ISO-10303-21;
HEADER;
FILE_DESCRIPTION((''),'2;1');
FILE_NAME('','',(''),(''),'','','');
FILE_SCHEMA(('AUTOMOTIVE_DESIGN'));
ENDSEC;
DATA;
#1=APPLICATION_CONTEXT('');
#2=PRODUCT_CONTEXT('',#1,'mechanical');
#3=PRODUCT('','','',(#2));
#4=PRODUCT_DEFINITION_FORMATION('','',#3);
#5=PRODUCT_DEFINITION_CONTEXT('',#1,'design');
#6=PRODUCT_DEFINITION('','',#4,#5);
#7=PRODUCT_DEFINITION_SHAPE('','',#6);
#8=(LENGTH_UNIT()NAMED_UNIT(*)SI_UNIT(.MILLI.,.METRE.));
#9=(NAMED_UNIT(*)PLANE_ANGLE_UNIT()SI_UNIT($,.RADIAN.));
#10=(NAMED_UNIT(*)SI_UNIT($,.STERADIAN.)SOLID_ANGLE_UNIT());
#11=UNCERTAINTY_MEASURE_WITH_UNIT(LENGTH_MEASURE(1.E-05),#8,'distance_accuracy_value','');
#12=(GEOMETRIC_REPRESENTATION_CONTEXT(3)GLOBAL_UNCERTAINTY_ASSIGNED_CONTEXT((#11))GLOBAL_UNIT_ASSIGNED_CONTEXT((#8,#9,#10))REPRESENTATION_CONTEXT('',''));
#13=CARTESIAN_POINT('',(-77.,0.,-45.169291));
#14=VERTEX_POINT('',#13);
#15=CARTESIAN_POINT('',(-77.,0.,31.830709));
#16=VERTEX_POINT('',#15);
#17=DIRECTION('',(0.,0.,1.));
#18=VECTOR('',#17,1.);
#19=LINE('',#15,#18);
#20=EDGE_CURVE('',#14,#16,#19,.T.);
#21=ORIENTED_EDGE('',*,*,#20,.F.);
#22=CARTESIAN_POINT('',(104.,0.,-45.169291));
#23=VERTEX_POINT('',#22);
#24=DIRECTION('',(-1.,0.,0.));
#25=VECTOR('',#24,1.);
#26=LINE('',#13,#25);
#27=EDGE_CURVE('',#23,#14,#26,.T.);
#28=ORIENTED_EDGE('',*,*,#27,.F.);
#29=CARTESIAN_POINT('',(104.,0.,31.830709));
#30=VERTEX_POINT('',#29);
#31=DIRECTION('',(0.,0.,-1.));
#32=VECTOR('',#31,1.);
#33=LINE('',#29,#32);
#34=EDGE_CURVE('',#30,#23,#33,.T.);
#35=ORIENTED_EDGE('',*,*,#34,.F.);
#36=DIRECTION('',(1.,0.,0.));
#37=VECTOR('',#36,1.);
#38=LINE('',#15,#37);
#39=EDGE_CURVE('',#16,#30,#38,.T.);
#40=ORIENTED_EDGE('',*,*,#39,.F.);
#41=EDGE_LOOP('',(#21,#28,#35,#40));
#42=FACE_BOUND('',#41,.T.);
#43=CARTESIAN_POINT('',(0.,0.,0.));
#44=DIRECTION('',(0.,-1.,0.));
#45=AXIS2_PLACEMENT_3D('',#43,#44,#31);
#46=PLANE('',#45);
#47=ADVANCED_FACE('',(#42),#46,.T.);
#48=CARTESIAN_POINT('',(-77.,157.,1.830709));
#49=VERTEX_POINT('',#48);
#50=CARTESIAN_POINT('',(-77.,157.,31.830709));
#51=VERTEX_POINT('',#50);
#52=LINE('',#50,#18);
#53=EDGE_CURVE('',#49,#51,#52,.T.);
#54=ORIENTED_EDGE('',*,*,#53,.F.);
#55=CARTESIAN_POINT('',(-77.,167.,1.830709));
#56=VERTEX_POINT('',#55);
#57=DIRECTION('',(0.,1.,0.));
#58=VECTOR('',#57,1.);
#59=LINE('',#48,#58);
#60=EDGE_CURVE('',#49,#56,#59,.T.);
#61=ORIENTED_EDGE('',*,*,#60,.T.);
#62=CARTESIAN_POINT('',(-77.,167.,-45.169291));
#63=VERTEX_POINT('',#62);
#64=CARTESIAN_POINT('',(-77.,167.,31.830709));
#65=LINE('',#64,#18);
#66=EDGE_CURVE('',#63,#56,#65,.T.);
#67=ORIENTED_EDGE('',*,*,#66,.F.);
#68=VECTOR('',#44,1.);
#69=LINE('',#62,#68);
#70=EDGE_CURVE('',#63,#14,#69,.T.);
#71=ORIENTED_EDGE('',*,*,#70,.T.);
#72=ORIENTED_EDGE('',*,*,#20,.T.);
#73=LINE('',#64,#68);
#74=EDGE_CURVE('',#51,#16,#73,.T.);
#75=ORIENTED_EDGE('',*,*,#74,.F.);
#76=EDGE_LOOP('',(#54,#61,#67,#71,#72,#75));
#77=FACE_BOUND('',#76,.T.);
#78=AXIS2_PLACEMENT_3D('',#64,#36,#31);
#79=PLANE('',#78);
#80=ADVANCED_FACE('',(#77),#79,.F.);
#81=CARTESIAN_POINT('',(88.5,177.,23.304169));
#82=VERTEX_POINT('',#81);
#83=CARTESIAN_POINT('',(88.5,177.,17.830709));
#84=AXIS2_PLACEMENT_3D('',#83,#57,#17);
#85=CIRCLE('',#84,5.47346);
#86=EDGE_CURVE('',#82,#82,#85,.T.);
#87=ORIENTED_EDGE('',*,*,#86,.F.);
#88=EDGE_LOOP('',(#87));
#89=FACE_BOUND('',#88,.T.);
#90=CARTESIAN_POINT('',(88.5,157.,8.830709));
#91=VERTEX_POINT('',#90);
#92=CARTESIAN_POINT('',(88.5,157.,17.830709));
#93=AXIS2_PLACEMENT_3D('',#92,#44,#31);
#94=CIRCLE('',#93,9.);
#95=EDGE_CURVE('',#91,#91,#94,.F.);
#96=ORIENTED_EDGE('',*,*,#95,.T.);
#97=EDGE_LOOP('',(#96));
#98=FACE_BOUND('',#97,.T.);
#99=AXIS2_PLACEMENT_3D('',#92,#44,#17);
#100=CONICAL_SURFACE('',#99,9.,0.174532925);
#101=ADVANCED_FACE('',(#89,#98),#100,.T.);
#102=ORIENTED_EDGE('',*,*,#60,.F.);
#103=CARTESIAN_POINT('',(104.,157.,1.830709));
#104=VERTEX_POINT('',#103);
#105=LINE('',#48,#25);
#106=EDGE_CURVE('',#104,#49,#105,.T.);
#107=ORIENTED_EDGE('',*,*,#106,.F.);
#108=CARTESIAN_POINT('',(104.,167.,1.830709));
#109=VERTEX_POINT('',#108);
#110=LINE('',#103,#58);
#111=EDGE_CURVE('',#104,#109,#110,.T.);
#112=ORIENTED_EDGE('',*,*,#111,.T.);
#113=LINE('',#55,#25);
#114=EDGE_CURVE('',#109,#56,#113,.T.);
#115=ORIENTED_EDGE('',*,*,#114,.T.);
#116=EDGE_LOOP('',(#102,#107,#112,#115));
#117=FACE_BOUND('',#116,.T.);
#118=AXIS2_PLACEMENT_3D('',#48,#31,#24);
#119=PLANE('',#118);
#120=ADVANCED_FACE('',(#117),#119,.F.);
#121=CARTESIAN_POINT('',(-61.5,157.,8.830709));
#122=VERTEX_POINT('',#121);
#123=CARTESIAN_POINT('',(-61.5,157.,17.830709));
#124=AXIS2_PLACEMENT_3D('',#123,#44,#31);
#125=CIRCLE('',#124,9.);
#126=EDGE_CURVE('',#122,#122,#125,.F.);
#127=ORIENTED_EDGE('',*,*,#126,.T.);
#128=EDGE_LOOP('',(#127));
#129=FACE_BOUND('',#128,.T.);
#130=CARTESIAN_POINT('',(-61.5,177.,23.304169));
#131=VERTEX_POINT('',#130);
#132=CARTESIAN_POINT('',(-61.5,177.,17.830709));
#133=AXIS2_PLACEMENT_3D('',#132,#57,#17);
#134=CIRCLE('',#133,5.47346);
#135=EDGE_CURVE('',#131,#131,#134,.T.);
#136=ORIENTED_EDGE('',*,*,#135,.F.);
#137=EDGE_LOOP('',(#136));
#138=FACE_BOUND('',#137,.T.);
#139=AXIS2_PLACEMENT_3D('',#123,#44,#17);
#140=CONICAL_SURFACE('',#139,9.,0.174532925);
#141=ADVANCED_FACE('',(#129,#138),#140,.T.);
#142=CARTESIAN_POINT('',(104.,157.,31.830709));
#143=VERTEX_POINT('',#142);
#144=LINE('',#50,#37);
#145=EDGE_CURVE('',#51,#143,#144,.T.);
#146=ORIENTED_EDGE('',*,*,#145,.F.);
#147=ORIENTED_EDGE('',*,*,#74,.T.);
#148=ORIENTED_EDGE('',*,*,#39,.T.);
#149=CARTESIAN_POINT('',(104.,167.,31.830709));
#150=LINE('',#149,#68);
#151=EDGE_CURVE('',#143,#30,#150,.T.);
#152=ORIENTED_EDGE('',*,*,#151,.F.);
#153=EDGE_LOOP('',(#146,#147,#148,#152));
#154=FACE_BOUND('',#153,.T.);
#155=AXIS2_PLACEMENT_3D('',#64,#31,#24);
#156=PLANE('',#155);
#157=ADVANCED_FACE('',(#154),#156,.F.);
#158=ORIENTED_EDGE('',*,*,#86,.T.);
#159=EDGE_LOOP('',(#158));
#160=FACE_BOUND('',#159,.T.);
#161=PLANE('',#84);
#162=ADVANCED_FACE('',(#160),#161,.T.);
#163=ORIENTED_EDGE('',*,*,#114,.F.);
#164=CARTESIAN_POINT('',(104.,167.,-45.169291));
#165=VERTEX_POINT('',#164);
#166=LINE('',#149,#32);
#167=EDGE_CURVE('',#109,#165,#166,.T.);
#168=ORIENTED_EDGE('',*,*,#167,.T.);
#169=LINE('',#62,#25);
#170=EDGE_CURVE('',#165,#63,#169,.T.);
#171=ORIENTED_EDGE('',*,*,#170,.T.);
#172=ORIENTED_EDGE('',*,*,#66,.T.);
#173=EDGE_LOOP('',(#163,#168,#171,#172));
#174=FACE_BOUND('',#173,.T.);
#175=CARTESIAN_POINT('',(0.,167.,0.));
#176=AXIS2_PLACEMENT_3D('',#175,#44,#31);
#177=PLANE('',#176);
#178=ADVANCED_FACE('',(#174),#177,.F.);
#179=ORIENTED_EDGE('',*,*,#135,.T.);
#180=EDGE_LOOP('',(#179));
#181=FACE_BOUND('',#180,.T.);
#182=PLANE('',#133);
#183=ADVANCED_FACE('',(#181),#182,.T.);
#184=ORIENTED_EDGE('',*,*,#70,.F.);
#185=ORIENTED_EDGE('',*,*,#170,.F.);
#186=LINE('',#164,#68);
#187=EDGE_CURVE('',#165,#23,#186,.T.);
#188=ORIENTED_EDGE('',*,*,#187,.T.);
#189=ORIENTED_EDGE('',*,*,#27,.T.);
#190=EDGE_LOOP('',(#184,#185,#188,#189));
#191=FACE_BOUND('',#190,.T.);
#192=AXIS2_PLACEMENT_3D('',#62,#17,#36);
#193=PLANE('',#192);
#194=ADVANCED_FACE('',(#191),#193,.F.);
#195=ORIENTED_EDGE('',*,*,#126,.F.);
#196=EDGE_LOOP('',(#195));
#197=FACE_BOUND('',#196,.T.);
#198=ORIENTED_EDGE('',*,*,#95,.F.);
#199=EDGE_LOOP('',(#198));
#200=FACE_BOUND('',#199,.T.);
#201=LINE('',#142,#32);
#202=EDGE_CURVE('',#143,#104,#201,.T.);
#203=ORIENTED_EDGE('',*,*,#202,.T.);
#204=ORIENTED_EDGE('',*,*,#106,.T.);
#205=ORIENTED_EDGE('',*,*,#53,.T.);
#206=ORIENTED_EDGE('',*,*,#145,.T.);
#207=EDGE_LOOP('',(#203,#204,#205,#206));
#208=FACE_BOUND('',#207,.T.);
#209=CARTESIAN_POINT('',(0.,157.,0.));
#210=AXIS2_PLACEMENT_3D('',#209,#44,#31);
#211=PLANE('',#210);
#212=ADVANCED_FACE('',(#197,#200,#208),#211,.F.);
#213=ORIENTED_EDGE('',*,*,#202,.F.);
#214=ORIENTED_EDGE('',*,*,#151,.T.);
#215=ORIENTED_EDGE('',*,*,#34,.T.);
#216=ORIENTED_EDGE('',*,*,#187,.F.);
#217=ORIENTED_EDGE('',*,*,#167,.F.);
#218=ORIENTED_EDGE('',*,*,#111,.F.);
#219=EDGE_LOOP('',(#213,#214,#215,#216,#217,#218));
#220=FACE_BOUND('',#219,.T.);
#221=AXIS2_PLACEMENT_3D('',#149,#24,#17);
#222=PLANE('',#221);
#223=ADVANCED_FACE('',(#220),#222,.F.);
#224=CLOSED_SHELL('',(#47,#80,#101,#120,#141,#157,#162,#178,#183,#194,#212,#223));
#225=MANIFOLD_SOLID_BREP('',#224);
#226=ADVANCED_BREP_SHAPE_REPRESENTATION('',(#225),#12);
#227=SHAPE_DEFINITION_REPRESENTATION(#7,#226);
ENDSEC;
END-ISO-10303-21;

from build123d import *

# Parameters (mm, degrees)
ESBO_O1_W                          = 181
ESBO_O1_H                          = 77
RESSALTO_EXTRUS_O1_DEPTH           = 167
ESBO_O2_W                          = 181
ESBO_O2_H                          = 30
CORTE_EXTRUS_O1_DEPTH              = 10
ESBO_O3_R                          = 9
RESSALTO_EXTRUS_O2_DEPTH           = 20
RESSALTO_EXTRUS_O2_DRAFT           = 10
RESSALTO_EXTRUS_O2_PROFILE_2_DEPTH = 20
RESSALTO_EXTRUS_O2_PROFILE_2_DRAFT = 10


with BuildPart() as part:
    # Esboço1 → Ressalto-extrusão1 (new body)
    with BuildSketch(Plane(origin=(0, 0, 0), x_dir=(1, 0, 0), z_dir=(0, 1, 0))):
        with Locations((13.5, 6.669291339)):
            Rectangle(ESBO_O1_W, ESBO_O1_H)
    extrude(amount=RESSALTO_EXTRUS_O1_DEPTH)

    # Esboço2 → Corte-extrusão1 (cut)
    with BuildSketch(Plane(origin=(0, 167, 0), x_dir=(1, 0, 0), z_dir=(0, 1, 0))):
        with Locations((13.5, -16.830708661)):
            Rectangle(ESBO_O2_W, ESBO_O2_H)
    extrude(amount=-CORTE_EXTRUS_O1_DEPTH, mode=Mode.SUBTRACT)


with BuildPart() as ressalto_extrus_o2_tool:
    # Esboço3 → Ressalto-extrusão2 (with draft: the straight prism first)
    with BuildSketch(Plane(origin=(0, 157, 0), x_dir=(1, 0, 0), z_dir=(0, 1, 0))):
        with Locations((-61.5, -17.830708661)):
            Circle(ESBO_O3_R)
    extrude(amount=RESSALTO_EXTRUS_O2_DEPTH)
    # Ressalto-extrusão2: the draft: its side faces are tilted about the plane it starts from
    ressalto_extrus_o2_sides = [ressalto_extrus_o2_tool.faces().sort_by_distance(p)[0] for p in [
        (-70.5, 167, 17.830708661),
    ]]
    draft(ressalto_extrus_o2_sides, Plane(origin=(0, 157, 0), x_dir=(1, 0, 0), z_dir=(0, 1, 0)), RESSALTO_EXTRUS_O2_DRAFT)


with BuildPart() as part_1:
    add(part.part)

    # Ressalto-extrusão2: add ressalto_extrus_o2_tool
    add(ressalto_extrus_o2_tool.part)


with BuildPart() as ressalto_extrus_o2_profile_2_tool:
    # Esboço3 → Ressalto-extrusão2 profile 2 (with draft: the straight prism first)
    with BuildSketch(Plane(origin=(0, 157, 0), x_dir=(1, 0, 0), z_dir=(0, 1, 0))):
        with Locations((88.5, -17.830708661)):
            Circle(ESBO_O3_R)
    extrude(amount=RESSALTO_EXTRUS_O2_PROFILE_2_DEPTH)
    # Ressalto-extrusão2 profile 2: the draft: its side faces are tilted about the plane it starts from
    ressalto_extrus_o2_profile_2_sides = [ressalto_extrus_o2_profile_2_tool.faces().sort_by_distance(p)[0] for p in [
        (79.5, 167, 17.830708661),
    ]]
    draft(ressalto_extrus_o2_profile_2_sides, Plane(origin=(0, 157, 0), x_dir=(1, 0, 0), z_dir=(0, 1, 0)), RESSALTO_EXTRUS_O2_PROFILE_2_DRAFT)


with BuildPart() as part_2:
    add(part_1.part)

    # Ressalto-extrusão2 profile 2: add ressalto_extrus_o2_profile_2_tool
    add(ressalto_extrus_o2_profile_2_tool.part)


solid = part_2.part
